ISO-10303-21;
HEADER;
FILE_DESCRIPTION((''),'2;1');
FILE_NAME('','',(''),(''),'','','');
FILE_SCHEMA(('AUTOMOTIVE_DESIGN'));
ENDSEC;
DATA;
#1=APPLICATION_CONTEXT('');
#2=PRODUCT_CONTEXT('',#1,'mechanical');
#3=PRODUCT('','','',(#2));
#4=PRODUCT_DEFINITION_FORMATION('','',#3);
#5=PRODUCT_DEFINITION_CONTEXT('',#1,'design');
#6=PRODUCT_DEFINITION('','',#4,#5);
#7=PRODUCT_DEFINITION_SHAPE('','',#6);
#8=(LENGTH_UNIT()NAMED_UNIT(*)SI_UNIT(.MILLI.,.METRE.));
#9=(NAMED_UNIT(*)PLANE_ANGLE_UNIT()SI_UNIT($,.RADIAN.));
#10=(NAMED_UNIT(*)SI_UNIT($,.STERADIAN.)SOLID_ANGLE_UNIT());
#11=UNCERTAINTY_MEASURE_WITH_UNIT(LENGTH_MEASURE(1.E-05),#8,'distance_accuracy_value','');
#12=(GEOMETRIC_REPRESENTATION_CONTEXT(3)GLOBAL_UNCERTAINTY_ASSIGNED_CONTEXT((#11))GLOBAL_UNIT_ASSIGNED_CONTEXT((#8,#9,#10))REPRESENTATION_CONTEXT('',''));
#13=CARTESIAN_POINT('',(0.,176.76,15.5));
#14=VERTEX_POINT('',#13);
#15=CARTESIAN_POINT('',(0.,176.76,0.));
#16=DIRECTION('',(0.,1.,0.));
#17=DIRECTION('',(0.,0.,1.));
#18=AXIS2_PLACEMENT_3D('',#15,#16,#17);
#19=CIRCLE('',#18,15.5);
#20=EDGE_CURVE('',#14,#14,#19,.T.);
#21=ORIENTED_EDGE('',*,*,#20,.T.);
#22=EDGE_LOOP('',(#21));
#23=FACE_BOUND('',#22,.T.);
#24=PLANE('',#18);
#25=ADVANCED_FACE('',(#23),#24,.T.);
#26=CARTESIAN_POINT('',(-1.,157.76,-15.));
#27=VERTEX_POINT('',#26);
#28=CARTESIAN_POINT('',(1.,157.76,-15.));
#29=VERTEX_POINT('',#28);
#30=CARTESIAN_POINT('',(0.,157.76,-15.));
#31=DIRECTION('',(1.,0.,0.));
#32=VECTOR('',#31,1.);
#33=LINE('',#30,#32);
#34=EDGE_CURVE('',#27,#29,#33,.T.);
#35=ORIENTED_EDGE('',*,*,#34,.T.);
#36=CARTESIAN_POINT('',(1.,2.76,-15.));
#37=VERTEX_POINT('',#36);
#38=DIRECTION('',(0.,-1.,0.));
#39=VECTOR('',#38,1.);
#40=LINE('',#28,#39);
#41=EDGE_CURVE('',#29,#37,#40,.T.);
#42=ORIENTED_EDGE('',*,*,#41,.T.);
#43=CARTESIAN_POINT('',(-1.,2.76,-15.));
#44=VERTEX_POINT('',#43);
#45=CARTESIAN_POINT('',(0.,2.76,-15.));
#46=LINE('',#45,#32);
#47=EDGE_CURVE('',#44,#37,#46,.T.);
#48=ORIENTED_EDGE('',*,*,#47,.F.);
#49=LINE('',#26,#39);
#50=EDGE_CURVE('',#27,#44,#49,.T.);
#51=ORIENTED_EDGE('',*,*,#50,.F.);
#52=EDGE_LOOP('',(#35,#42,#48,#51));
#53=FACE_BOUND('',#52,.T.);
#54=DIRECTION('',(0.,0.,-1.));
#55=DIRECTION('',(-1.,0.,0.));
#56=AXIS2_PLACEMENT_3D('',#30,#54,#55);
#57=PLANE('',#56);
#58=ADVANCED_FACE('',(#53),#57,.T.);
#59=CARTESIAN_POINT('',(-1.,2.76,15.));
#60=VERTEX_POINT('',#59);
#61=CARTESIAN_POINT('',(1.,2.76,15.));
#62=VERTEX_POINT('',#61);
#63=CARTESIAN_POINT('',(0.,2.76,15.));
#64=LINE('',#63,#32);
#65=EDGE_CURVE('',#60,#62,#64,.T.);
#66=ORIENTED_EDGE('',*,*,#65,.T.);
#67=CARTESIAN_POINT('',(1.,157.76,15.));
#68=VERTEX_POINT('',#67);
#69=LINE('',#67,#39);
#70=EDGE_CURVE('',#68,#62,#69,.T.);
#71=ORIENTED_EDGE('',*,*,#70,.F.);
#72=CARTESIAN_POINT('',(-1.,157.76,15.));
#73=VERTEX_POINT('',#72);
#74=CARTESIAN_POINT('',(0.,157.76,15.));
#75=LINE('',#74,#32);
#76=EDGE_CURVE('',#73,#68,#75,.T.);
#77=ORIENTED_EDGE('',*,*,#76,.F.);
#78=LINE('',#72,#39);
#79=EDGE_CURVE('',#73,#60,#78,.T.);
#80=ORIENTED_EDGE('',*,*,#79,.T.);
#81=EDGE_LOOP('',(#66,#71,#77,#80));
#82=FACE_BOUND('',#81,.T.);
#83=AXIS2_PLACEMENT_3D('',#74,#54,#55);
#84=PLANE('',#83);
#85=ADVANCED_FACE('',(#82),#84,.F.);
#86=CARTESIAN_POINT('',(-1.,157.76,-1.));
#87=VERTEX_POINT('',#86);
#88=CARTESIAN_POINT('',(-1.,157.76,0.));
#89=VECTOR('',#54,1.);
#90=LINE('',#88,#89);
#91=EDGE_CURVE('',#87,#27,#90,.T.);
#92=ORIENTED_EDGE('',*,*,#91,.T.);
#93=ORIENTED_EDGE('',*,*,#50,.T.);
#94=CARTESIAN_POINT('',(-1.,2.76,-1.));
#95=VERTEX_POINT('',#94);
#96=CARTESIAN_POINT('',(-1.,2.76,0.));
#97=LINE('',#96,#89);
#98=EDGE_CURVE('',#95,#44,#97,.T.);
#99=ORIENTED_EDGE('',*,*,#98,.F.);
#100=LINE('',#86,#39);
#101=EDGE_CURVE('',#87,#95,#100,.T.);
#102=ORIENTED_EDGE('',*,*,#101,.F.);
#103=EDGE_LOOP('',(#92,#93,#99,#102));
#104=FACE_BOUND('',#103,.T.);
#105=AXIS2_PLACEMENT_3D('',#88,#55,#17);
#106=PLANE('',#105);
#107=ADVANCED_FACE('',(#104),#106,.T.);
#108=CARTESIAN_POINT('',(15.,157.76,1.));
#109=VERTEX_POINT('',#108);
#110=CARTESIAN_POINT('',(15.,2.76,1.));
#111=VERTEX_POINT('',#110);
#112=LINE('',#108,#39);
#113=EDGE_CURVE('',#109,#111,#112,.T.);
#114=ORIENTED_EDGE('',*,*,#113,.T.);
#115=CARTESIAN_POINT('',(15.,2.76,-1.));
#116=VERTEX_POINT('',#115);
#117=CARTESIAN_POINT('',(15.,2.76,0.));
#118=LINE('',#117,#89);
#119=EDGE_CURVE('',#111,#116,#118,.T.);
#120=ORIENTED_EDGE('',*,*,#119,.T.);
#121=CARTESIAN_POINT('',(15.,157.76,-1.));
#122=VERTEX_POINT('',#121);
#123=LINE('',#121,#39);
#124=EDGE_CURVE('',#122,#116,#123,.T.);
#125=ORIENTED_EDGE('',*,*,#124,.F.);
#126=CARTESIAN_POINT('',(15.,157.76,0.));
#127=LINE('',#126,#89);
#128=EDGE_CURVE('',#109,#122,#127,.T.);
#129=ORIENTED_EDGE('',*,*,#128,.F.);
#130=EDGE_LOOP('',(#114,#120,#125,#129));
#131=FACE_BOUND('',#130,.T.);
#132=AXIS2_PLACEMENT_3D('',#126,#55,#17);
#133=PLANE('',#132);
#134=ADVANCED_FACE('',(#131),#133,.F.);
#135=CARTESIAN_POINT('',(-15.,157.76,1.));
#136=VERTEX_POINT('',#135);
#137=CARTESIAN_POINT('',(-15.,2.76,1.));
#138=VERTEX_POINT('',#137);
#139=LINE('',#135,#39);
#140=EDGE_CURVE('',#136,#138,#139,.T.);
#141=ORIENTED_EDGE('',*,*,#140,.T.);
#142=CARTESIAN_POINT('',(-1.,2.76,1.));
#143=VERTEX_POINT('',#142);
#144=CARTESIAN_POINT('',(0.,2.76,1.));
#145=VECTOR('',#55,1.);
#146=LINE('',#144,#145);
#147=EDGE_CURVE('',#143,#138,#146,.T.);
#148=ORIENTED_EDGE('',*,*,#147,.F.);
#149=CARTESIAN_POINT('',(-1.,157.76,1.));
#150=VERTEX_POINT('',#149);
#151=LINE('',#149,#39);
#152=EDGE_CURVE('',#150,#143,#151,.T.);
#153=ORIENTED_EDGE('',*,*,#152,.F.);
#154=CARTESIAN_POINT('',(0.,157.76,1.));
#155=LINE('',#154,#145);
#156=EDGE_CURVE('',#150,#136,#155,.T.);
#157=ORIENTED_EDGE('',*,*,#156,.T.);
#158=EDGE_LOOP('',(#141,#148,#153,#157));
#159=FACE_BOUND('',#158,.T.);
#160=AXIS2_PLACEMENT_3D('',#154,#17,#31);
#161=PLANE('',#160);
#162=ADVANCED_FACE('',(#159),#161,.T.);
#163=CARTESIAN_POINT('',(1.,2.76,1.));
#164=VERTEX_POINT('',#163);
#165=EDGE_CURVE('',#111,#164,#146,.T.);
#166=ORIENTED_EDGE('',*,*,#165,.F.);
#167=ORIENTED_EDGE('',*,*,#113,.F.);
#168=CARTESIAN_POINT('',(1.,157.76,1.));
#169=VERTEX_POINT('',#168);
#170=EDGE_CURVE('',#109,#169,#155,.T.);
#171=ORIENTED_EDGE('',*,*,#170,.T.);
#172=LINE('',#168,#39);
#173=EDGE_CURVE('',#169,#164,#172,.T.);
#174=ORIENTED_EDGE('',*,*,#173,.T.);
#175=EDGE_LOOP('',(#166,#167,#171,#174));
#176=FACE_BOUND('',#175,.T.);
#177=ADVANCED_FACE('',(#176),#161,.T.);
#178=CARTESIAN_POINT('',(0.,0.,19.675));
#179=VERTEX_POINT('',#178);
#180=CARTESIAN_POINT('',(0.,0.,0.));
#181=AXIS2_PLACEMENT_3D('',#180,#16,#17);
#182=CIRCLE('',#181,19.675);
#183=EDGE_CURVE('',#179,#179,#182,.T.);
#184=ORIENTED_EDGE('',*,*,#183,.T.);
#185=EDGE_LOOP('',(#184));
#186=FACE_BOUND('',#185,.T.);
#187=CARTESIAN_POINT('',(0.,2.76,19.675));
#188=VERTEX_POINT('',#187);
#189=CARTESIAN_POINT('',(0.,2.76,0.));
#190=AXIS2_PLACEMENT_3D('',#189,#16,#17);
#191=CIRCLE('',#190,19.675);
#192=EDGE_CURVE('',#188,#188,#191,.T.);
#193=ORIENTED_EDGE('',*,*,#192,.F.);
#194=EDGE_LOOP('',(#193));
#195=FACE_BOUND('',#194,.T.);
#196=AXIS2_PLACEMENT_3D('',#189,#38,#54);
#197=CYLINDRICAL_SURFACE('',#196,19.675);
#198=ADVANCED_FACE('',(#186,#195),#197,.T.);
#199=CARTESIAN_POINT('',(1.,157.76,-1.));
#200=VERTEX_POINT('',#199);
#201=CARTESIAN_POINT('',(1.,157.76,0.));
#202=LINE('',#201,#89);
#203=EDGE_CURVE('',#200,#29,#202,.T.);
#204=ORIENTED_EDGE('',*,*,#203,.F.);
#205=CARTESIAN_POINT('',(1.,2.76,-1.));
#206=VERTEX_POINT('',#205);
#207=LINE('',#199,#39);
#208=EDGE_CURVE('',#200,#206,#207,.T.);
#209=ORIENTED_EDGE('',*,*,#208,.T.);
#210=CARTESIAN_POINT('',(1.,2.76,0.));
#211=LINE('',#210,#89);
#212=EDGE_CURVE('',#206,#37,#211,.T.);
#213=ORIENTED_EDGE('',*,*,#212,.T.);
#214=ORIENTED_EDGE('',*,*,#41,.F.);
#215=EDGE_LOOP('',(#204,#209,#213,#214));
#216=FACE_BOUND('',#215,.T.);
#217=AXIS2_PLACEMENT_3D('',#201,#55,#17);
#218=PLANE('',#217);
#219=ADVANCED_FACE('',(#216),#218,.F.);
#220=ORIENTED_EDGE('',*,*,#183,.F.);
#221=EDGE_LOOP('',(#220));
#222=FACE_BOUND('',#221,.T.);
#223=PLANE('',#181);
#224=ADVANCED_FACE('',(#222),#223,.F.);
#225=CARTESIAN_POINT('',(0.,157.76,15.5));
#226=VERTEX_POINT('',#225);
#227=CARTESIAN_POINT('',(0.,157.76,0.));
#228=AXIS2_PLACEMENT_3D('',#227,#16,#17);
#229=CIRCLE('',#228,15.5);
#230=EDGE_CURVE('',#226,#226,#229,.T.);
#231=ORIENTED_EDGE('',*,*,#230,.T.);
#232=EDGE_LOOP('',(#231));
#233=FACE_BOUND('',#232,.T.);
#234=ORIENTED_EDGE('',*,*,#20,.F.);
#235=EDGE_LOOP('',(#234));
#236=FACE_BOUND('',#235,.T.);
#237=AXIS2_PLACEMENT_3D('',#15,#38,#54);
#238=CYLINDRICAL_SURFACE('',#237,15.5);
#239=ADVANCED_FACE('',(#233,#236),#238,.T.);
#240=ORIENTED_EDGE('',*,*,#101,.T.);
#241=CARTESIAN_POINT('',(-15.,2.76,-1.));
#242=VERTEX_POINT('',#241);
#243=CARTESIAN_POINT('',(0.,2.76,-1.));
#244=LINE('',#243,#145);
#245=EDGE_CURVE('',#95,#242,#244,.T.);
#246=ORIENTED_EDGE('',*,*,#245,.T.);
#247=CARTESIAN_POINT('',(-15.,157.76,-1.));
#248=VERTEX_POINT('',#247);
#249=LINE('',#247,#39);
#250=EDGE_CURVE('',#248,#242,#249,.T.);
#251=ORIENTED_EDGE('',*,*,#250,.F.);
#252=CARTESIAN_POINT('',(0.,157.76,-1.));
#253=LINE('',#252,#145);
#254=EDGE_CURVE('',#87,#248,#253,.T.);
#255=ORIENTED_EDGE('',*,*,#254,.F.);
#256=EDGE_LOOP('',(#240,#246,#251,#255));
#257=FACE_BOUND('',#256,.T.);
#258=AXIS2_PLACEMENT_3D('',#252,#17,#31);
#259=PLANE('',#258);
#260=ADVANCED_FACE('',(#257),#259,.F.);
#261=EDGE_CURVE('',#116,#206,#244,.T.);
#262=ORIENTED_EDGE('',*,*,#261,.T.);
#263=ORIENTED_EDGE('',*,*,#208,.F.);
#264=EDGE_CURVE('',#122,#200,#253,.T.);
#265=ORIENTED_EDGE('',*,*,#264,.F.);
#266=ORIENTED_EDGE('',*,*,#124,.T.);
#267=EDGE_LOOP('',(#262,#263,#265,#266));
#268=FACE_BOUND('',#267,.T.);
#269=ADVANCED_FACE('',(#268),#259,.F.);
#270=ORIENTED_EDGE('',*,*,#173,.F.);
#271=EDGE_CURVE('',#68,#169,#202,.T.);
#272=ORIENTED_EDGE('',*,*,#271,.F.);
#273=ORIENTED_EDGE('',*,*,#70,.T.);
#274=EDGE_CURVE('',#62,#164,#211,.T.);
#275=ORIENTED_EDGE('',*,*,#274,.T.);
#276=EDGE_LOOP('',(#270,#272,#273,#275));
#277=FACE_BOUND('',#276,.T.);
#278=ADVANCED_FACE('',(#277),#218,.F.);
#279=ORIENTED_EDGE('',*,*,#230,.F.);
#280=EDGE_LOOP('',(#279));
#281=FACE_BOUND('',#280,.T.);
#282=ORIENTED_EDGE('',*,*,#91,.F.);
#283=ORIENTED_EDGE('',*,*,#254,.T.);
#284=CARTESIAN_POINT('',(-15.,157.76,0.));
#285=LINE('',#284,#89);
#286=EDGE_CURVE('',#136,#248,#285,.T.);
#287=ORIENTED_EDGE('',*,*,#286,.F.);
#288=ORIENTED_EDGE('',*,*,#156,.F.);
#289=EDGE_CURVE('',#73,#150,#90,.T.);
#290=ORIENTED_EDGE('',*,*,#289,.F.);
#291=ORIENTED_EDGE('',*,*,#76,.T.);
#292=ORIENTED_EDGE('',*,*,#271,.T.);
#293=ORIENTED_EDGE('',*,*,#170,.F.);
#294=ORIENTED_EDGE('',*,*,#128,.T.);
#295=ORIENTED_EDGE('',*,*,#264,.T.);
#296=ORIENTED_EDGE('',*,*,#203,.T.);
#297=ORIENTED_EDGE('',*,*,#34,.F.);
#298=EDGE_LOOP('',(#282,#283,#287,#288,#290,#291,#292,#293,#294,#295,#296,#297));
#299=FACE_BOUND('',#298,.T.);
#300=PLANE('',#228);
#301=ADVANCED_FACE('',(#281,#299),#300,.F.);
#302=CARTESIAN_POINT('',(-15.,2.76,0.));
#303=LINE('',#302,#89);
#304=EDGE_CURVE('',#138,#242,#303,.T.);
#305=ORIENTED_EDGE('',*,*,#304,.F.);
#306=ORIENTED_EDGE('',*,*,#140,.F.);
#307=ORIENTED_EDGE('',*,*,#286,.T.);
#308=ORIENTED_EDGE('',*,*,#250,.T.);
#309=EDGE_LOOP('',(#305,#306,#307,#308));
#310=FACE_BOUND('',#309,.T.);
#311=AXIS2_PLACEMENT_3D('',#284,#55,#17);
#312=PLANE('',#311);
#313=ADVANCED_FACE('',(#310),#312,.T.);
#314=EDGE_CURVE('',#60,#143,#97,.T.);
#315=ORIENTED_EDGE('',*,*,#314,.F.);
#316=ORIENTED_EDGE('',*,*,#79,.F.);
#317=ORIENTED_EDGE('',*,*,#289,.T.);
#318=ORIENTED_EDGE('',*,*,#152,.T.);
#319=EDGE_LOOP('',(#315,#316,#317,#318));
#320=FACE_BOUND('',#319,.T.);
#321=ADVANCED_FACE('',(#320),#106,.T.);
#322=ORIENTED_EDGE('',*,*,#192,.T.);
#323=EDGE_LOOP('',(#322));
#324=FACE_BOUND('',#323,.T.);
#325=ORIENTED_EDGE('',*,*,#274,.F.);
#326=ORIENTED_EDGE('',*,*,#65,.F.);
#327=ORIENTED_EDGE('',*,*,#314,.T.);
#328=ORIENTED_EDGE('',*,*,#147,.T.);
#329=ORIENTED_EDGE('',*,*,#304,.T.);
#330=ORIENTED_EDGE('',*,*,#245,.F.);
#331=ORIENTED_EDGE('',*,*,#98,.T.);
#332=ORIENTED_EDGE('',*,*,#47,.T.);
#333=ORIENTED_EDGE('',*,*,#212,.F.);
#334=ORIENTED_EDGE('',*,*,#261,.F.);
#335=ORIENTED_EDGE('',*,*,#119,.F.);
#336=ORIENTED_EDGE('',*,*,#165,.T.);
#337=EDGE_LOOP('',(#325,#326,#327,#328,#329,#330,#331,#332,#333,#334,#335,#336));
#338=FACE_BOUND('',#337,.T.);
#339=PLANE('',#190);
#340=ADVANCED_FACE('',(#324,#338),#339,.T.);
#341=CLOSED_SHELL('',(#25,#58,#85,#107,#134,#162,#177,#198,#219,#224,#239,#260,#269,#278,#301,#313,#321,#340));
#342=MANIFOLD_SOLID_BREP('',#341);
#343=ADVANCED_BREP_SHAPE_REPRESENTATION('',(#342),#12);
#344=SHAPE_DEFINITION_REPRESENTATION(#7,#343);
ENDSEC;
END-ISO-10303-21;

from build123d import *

# Parameters (mm, degrees)
SKETCH1_R           = 19.675
BOSS_EXTRUDE1_DEPTH = 2.76
SKETCH2_W           = 2
SKETCH2_H           = 14
SKETCH2_W_2         = 14
SKETCH2_H_2         = 2
BOSS_EXTRUDE2_DEPTH = 155
SKETCH3_R           = 15.5
BOSS_EXTRUDE3_DEPTH = 19


with BuildPart() as part:
    # Sketch1 → Boss-Extrude1 (new body)
    with BuildSketch(Plane(origin=(0, 0, 0), x_dir=(1, 0, 0), z_dir=(0, 1, 0))):
        with Locations(Location((0, 0, 0), (0, 0, 270))):
            Circle(SKETCH1_R)
    extrude(amount=BOSS_EXTRUDE1_DEPTH)

    # Sketch2 → Boss-Extrude2 (add)
    with BuildSketch(Plane(origin=(0, 2.76, 0), x_dir=(1, 0, 0), z_dir=(0, 1, 0))):
        with Locations((0, 8)):
            Rectangle(SKETCH2_W, SKETCH2_H)
        with Locations((8, 0)):
            Rectangle(SKETCH2_W_2, SKETCH2_H_2)
        Rectangle(SKETCH2_W, SKETCH2_H_2)
        with Locations((0, -8)):
            Rectangle(SKETCH2_W, SKETCH2_H)
        with Locations((-8, 0)):
            Rectangle(SKETCH2_W_2, SKETCH2_H_2)
    extrude(amount=BOSS_EXTRUDE2_DEPTH)

    # Sketch3 → Boss-Extrude3 (add)
    with BuildSketch(Plane(origin=(0, 157.76, 0), x_dir=(1, 0, 0), z_dir=(0, 1, 0))):
        with Locations(Location((0, 0, 0), (0, 0, 270))):
            Circle(SKETCH3_R)
    extrude(amount=BOSS_EXTRUDE3_DEPTH)


solid = part.part
